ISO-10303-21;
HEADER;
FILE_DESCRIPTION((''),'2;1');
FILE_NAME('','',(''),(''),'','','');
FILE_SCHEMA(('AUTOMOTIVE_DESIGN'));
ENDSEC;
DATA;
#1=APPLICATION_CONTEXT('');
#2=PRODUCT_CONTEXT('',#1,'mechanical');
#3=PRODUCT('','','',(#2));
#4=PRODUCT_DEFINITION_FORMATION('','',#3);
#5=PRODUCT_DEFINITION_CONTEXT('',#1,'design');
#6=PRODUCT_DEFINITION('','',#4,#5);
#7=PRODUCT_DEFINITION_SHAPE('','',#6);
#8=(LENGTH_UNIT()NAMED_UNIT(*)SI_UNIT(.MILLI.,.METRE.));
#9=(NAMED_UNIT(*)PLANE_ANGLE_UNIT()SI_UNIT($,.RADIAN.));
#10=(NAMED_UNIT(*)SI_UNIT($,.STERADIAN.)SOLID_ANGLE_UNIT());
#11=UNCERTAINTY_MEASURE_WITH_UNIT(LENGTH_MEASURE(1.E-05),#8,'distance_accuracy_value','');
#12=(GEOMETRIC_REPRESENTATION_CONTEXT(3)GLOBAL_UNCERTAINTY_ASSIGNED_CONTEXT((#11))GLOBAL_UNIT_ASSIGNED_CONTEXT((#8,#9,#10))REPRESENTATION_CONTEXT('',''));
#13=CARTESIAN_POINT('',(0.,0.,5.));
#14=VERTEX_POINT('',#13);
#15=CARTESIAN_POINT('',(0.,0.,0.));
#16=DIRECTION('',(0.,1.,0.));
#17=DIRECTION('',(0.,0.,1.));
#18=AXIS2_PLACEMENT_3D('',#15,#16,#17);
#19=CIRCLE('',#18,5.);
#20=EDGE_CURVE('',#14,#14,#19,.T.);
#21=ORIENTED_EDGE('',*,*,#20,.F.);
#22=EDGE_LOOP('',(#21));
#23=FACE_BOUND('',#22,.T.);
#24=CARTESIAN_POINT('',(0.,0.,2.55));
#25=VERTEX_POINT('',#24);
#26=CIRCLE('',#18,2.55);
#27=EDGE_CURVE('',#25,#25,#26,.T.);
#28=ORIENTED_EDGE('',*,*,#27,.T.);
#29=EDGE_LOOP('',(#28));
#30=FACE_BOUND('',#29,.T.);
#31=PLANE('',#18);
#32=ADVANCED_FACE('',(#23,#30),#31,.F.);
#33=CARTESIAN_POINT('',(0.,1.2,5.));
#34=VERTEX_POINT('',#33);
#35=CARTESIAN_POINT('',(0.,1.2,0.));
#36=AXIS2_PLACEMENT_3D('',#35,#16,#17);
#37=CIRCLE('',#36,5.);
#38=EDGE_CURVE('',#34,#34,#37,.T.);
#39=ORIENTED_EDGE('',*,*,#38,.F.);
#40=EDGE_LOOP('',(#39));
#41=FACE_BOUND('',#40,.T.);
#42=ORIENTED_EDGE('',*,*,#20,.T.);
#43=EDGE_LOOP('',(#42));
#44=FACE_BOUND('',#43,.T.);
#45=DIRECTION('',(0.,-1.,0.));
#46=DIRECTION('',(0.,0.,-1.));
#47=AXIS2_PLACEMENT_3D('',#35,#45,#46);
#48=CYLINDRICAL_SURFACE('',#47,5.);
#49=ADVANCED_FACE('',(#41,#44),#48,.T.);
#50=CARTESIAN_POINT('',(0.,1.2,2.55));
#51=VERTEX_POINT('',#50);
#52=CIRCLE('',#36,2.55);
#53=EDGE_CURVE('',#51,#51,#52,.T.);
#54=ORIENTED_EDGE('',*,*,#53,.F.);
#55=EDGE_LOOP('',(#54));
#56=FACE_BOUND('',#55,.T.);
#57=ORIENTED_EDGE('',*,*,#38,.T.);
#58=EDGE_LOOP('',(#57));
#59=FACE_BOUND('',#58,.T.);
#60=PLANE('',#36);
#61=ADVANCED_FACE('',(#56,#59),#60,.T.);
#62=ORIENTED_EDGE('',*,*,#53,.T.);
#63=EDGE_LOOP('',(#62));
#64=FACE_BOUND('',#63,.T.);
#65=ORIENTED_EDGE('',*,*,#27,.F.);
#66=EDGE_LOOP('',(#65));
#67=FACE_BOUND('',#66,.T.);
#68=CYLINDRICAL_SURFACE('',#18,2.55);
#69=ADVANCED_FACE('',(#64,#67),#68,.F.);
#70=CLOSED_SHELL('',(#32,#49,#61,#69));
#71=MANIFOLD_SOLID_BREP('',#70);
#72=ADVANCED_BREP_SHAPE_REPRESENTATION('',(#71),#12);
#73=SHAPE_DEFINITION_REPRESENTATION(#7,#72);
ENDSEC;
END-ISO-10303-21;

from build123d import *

# Parameters (mm, degrees)
SKETCH1_R           = 5
BOSS_EXTRUDE1_DEPTH = 1.2
SKETCH2_R           = 2.55
CUT_EXTRUDE1_DEPTH  = 1.2


with BuildPart() as part:
    # Sketch1 → Boss-Extrude1 (new body)
    with BuildSketch(Plane(origin=(0, 0, 0), x_dir=(1, 0, 0), z_dir=(0, 1, 0))):
        with Locations(Location((0, 0, 0), (0, 0, 270))):
            Circle(SKETCH1_R)
    extrude(amount=BOSS_EXTRUDE1_DEPTH)

    # Sketch2 → Cut-Extrude1 (cut)
    with BuildSketch(Plane(origin=(0, 1.2, 0), x_dir=(1, 0, 0), z_dir=(0, 1, 0))):
        with Locations(Location((0, 0, 0), (0, 0, 270))):
            Circle(SKETCH2_R)
    extrude(amount=-CUT_EXTRUDE1_DEPTH, mode=Mode.SUBTRACT)


solid = part.part
